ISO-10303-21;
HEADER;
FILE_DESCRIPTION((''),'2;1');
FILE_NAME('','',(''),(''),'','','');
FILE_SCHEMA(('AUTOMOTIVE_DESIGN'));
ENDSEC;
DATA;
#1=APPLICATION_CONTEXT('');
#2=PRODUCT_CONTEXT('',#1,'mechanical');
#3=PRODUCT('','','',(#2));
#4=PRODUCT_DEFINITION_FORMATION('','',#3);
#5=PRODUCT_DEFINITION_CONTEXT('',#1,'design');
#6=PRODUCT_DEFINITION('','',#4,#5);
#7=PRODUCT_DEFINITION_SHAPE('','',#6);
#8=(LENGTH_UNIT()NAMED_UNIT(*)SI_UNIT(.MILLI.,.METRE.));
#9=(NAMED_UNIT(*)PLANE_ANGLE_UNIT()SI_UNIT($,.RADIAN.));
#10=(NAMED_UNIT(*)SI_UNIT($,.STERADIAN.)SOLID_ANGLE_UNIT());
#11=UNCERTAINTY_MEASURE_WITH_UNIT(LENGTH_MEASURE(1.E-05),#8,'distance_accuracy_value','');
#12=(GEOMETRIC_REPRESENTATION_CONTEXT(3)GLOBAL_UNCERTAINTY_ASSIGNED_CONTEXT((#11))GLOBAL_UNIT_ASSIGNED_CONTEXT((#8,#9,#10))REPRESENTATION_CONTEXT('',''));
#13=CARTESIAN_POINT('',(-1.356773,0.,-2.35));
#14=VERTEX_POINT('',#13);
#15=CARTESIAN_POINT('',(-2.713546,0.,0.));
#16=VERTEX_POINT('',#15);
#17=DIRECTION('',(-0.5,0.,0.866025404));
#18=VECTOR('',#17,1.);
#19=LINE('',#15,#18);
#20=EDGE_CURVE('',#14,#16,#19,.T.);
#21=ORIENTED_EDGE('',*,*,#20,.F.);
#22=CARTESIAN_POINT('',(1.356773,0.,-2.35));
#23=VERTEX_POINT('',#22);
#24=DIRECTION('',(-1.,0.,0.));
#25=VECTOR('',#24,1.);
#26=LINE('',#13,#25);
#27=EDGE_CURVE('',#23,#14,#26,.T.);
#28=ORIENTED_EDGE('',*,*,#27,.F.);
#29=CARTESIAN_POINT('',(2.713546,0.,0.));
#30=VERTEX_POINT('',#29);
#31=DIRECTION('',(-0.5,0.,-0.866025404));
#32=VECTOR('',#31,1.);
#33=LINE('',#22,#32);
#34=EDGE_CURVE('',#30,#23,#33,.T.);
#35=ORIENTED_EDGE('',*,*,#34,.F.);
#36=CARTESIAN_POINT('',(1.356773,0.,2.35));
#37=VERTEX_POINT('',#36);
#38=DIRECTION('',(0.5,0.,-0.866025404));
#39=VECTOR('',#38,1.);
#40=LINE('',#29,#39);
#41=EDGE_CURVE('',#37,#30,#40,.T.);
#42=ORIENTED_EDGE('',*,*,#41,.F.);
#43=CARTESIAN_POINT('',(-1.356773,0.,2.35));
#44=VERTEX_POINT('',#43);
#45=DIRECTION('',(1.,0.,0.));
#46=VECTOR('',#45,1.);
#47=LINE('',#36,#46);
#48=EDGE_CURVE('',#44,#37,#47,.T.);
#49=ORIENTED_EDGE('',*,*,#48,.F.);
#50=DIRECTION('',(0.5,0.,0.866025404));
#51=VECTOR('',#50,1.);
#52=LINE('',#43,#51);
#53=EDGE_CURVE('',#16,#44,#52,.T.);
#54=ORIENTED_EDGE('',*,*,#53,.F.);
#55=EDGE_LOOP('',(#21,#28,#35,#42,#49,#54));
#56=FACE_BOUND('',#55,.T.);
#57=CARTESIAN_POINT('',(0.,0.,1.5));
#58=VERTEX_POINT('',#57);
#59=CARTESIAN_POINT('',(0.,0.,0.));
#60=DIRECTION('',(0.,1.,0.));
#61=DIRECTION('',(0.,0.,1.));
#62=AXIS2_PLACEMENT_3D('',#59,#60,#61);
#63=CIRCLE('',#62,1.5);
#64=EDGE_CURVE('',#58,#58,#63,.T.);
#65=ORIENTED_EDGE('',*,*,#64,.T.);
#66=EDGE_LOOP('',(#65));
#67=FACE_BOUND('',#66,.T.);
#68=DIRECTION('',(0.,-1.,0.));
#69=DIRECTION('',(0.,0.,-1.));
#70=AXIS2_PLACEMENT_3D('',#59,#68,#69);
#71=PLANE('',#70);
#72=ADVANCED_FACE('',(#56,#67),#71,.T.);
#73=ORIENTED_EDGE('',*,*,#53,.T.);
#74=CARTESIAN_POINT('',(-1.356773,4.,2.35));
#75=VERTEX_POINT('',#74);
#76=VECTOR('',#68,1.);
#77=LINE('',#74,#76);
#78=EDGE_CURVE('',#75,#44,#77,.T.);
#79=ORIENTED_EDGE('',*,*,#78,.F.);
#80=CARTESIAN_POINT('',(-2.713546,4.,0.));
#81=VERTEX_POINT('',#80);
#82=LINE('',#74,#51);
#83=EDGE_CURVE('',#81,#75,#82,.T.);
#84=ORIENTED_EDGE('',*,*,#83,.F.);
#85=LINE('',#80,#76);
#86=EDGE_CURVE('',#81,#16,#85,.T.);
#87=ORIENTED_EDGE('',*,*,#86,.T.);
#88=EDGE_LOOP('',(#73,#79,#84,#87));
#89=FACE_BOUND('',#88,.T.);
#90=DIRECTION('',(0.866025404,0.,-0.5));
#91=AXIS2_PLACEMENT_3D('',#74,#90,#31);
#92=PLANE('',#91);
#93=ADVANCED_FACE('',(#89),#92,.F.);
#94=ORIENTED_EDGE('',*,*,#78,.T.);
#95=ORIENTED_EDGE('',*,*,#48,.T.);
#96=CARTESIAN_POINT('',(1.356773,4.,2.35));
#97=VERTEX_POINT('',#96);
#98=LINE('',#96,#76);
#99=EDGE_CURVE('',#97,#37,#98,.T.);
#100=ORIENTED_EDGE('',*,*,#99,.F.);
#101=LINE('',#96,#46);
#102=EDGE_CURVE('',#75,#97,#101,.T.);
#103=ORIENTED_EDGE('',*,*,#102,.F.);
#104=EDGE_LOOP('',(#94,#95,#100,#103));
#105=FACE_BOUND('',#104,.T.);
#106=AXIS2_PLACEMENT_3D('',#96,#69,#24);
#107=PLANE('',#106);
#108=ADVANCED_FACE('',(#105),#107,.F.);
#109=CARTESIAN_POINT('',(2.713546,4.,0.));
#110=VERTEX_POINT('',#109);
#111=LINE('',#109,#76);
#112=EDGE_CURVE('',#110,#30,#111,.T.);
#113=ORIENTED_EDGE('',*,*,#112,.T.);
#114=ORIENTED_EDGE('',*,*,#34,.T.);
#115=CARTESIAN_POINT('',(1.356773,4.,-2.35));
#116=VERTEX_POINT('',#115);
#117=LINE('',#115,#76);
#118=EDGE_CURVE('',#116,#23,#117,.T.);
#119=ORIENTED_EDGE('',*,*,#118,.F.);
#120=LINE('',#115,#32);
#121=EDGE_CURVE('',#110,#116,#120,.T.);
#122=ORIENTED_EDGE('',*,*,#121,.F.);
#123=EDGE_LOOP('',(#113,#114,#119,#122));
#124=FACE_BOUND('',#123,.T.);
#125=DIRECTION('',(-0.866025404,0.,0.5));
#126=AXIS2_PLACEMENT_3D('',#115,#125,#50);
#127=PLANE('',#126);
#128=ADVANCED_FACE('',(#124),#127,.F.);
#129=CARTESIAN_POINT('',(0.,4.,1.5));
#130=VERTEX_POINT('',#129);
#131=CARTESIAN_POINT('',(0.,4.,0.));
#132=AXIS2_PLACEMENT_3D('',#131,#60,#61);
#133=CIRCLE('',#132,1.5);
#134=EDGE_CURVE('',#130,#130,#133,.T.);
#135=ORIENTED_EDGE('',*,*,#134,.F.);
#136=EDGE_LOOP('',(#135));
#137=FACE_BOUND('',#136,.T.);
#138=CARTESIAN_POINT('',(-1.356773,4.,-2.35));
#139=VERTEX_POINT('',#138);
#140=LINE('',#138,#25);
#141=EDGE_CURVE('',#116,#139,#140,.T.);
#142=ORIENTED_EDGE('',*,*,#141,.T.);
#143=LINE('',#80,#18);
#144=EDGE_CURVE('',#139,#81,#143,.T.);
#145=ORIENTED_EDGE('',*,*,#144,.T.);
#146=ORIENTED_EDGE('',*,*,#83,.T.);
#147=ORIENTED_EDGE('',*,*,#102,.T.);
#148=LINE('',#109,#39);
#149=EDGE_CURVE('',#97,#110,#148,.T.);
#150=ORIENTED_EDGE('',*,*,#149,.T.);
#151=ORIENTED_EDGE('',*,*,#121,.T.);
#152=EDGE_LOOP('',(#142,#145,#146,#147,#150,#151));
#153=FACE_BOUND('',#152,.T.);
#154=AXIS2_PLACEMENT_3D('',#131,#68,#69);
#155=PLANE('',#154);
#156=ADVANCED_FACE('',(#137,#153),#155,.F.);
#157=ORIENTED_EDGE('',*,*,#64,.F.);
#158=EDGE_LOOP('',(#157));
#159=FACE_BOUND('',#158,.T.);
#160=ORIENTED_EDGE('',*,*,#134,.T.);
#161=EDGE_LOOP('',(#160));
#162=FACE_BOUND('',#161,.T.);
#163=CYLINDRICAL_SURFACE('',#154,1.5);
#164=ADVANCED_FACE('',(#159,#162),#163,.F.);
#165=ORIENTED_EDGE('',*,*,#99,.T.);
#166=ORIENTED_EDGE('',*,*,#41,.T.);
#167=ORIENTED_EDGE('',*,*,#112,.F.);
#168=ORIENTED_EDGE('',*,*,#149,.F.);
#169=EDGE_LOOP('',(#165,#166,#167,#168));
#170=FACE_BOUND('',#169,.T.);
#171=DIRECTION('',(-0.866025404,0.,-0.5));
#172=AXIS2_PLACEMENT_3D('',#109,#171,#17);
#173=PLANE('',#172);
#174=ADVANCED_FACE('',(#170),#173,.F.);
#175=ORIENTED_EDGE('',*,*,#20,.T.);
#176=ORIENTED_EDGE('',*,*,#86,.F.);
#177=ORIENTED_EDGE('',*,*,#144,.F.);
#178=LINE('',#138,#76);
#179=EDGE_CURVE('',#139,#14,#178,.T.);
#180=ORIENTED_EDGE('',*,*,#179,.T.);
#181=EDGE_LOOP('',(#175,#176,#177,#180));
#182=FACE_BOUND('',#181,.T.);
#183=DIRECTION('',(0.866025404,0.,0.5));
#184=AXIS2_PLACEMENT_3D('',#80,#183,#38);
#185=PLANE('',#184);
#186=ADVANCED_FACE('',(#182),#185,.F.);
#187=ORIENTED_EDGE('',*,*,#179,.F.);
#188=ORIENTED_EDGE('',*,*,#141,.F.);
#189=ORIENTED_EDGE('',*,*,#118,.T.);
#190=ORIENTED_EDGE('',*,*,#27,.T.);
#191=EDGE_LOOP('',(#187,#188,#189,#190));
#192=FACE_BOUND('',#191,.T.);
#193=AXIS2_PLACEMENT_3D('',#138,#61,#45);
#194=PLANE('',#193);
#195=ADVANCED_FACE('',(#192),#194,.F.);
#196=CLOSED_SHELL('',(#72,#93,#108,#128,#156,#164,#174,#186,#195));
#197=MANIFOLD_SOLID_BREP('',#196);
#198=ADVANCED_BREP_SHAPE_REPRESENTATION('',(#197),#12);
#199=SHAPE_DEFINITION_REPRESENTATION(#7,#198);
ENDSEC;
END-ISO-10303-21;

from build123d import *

# Parameters (mm, degrees)
SKETCH_1_R      = 1.5
EXTRUDE_1_DEPTH = 4


with BuildPart() as part:
    # 草图1 → 凸台-拉伸1 (new body)
    with BuildSketch(Plane(origin=(0, 0, 0), x_dir=(1, 0, 0), z_dir=(0, 1, 0))):
        Polygon((-1.356773133, 2.35), (1.356773133, 2.35), (2.713546265, 0), (1.356773133, -2.35), (-1.356773133, -2.35), (-2.713546265, 0), align=None)
        Circle(SKETCH_1_R, mode=Mode.SUBTRACT)
    extrude(amount=EXTRUDE_1_DEPTH)


solid = part.part
